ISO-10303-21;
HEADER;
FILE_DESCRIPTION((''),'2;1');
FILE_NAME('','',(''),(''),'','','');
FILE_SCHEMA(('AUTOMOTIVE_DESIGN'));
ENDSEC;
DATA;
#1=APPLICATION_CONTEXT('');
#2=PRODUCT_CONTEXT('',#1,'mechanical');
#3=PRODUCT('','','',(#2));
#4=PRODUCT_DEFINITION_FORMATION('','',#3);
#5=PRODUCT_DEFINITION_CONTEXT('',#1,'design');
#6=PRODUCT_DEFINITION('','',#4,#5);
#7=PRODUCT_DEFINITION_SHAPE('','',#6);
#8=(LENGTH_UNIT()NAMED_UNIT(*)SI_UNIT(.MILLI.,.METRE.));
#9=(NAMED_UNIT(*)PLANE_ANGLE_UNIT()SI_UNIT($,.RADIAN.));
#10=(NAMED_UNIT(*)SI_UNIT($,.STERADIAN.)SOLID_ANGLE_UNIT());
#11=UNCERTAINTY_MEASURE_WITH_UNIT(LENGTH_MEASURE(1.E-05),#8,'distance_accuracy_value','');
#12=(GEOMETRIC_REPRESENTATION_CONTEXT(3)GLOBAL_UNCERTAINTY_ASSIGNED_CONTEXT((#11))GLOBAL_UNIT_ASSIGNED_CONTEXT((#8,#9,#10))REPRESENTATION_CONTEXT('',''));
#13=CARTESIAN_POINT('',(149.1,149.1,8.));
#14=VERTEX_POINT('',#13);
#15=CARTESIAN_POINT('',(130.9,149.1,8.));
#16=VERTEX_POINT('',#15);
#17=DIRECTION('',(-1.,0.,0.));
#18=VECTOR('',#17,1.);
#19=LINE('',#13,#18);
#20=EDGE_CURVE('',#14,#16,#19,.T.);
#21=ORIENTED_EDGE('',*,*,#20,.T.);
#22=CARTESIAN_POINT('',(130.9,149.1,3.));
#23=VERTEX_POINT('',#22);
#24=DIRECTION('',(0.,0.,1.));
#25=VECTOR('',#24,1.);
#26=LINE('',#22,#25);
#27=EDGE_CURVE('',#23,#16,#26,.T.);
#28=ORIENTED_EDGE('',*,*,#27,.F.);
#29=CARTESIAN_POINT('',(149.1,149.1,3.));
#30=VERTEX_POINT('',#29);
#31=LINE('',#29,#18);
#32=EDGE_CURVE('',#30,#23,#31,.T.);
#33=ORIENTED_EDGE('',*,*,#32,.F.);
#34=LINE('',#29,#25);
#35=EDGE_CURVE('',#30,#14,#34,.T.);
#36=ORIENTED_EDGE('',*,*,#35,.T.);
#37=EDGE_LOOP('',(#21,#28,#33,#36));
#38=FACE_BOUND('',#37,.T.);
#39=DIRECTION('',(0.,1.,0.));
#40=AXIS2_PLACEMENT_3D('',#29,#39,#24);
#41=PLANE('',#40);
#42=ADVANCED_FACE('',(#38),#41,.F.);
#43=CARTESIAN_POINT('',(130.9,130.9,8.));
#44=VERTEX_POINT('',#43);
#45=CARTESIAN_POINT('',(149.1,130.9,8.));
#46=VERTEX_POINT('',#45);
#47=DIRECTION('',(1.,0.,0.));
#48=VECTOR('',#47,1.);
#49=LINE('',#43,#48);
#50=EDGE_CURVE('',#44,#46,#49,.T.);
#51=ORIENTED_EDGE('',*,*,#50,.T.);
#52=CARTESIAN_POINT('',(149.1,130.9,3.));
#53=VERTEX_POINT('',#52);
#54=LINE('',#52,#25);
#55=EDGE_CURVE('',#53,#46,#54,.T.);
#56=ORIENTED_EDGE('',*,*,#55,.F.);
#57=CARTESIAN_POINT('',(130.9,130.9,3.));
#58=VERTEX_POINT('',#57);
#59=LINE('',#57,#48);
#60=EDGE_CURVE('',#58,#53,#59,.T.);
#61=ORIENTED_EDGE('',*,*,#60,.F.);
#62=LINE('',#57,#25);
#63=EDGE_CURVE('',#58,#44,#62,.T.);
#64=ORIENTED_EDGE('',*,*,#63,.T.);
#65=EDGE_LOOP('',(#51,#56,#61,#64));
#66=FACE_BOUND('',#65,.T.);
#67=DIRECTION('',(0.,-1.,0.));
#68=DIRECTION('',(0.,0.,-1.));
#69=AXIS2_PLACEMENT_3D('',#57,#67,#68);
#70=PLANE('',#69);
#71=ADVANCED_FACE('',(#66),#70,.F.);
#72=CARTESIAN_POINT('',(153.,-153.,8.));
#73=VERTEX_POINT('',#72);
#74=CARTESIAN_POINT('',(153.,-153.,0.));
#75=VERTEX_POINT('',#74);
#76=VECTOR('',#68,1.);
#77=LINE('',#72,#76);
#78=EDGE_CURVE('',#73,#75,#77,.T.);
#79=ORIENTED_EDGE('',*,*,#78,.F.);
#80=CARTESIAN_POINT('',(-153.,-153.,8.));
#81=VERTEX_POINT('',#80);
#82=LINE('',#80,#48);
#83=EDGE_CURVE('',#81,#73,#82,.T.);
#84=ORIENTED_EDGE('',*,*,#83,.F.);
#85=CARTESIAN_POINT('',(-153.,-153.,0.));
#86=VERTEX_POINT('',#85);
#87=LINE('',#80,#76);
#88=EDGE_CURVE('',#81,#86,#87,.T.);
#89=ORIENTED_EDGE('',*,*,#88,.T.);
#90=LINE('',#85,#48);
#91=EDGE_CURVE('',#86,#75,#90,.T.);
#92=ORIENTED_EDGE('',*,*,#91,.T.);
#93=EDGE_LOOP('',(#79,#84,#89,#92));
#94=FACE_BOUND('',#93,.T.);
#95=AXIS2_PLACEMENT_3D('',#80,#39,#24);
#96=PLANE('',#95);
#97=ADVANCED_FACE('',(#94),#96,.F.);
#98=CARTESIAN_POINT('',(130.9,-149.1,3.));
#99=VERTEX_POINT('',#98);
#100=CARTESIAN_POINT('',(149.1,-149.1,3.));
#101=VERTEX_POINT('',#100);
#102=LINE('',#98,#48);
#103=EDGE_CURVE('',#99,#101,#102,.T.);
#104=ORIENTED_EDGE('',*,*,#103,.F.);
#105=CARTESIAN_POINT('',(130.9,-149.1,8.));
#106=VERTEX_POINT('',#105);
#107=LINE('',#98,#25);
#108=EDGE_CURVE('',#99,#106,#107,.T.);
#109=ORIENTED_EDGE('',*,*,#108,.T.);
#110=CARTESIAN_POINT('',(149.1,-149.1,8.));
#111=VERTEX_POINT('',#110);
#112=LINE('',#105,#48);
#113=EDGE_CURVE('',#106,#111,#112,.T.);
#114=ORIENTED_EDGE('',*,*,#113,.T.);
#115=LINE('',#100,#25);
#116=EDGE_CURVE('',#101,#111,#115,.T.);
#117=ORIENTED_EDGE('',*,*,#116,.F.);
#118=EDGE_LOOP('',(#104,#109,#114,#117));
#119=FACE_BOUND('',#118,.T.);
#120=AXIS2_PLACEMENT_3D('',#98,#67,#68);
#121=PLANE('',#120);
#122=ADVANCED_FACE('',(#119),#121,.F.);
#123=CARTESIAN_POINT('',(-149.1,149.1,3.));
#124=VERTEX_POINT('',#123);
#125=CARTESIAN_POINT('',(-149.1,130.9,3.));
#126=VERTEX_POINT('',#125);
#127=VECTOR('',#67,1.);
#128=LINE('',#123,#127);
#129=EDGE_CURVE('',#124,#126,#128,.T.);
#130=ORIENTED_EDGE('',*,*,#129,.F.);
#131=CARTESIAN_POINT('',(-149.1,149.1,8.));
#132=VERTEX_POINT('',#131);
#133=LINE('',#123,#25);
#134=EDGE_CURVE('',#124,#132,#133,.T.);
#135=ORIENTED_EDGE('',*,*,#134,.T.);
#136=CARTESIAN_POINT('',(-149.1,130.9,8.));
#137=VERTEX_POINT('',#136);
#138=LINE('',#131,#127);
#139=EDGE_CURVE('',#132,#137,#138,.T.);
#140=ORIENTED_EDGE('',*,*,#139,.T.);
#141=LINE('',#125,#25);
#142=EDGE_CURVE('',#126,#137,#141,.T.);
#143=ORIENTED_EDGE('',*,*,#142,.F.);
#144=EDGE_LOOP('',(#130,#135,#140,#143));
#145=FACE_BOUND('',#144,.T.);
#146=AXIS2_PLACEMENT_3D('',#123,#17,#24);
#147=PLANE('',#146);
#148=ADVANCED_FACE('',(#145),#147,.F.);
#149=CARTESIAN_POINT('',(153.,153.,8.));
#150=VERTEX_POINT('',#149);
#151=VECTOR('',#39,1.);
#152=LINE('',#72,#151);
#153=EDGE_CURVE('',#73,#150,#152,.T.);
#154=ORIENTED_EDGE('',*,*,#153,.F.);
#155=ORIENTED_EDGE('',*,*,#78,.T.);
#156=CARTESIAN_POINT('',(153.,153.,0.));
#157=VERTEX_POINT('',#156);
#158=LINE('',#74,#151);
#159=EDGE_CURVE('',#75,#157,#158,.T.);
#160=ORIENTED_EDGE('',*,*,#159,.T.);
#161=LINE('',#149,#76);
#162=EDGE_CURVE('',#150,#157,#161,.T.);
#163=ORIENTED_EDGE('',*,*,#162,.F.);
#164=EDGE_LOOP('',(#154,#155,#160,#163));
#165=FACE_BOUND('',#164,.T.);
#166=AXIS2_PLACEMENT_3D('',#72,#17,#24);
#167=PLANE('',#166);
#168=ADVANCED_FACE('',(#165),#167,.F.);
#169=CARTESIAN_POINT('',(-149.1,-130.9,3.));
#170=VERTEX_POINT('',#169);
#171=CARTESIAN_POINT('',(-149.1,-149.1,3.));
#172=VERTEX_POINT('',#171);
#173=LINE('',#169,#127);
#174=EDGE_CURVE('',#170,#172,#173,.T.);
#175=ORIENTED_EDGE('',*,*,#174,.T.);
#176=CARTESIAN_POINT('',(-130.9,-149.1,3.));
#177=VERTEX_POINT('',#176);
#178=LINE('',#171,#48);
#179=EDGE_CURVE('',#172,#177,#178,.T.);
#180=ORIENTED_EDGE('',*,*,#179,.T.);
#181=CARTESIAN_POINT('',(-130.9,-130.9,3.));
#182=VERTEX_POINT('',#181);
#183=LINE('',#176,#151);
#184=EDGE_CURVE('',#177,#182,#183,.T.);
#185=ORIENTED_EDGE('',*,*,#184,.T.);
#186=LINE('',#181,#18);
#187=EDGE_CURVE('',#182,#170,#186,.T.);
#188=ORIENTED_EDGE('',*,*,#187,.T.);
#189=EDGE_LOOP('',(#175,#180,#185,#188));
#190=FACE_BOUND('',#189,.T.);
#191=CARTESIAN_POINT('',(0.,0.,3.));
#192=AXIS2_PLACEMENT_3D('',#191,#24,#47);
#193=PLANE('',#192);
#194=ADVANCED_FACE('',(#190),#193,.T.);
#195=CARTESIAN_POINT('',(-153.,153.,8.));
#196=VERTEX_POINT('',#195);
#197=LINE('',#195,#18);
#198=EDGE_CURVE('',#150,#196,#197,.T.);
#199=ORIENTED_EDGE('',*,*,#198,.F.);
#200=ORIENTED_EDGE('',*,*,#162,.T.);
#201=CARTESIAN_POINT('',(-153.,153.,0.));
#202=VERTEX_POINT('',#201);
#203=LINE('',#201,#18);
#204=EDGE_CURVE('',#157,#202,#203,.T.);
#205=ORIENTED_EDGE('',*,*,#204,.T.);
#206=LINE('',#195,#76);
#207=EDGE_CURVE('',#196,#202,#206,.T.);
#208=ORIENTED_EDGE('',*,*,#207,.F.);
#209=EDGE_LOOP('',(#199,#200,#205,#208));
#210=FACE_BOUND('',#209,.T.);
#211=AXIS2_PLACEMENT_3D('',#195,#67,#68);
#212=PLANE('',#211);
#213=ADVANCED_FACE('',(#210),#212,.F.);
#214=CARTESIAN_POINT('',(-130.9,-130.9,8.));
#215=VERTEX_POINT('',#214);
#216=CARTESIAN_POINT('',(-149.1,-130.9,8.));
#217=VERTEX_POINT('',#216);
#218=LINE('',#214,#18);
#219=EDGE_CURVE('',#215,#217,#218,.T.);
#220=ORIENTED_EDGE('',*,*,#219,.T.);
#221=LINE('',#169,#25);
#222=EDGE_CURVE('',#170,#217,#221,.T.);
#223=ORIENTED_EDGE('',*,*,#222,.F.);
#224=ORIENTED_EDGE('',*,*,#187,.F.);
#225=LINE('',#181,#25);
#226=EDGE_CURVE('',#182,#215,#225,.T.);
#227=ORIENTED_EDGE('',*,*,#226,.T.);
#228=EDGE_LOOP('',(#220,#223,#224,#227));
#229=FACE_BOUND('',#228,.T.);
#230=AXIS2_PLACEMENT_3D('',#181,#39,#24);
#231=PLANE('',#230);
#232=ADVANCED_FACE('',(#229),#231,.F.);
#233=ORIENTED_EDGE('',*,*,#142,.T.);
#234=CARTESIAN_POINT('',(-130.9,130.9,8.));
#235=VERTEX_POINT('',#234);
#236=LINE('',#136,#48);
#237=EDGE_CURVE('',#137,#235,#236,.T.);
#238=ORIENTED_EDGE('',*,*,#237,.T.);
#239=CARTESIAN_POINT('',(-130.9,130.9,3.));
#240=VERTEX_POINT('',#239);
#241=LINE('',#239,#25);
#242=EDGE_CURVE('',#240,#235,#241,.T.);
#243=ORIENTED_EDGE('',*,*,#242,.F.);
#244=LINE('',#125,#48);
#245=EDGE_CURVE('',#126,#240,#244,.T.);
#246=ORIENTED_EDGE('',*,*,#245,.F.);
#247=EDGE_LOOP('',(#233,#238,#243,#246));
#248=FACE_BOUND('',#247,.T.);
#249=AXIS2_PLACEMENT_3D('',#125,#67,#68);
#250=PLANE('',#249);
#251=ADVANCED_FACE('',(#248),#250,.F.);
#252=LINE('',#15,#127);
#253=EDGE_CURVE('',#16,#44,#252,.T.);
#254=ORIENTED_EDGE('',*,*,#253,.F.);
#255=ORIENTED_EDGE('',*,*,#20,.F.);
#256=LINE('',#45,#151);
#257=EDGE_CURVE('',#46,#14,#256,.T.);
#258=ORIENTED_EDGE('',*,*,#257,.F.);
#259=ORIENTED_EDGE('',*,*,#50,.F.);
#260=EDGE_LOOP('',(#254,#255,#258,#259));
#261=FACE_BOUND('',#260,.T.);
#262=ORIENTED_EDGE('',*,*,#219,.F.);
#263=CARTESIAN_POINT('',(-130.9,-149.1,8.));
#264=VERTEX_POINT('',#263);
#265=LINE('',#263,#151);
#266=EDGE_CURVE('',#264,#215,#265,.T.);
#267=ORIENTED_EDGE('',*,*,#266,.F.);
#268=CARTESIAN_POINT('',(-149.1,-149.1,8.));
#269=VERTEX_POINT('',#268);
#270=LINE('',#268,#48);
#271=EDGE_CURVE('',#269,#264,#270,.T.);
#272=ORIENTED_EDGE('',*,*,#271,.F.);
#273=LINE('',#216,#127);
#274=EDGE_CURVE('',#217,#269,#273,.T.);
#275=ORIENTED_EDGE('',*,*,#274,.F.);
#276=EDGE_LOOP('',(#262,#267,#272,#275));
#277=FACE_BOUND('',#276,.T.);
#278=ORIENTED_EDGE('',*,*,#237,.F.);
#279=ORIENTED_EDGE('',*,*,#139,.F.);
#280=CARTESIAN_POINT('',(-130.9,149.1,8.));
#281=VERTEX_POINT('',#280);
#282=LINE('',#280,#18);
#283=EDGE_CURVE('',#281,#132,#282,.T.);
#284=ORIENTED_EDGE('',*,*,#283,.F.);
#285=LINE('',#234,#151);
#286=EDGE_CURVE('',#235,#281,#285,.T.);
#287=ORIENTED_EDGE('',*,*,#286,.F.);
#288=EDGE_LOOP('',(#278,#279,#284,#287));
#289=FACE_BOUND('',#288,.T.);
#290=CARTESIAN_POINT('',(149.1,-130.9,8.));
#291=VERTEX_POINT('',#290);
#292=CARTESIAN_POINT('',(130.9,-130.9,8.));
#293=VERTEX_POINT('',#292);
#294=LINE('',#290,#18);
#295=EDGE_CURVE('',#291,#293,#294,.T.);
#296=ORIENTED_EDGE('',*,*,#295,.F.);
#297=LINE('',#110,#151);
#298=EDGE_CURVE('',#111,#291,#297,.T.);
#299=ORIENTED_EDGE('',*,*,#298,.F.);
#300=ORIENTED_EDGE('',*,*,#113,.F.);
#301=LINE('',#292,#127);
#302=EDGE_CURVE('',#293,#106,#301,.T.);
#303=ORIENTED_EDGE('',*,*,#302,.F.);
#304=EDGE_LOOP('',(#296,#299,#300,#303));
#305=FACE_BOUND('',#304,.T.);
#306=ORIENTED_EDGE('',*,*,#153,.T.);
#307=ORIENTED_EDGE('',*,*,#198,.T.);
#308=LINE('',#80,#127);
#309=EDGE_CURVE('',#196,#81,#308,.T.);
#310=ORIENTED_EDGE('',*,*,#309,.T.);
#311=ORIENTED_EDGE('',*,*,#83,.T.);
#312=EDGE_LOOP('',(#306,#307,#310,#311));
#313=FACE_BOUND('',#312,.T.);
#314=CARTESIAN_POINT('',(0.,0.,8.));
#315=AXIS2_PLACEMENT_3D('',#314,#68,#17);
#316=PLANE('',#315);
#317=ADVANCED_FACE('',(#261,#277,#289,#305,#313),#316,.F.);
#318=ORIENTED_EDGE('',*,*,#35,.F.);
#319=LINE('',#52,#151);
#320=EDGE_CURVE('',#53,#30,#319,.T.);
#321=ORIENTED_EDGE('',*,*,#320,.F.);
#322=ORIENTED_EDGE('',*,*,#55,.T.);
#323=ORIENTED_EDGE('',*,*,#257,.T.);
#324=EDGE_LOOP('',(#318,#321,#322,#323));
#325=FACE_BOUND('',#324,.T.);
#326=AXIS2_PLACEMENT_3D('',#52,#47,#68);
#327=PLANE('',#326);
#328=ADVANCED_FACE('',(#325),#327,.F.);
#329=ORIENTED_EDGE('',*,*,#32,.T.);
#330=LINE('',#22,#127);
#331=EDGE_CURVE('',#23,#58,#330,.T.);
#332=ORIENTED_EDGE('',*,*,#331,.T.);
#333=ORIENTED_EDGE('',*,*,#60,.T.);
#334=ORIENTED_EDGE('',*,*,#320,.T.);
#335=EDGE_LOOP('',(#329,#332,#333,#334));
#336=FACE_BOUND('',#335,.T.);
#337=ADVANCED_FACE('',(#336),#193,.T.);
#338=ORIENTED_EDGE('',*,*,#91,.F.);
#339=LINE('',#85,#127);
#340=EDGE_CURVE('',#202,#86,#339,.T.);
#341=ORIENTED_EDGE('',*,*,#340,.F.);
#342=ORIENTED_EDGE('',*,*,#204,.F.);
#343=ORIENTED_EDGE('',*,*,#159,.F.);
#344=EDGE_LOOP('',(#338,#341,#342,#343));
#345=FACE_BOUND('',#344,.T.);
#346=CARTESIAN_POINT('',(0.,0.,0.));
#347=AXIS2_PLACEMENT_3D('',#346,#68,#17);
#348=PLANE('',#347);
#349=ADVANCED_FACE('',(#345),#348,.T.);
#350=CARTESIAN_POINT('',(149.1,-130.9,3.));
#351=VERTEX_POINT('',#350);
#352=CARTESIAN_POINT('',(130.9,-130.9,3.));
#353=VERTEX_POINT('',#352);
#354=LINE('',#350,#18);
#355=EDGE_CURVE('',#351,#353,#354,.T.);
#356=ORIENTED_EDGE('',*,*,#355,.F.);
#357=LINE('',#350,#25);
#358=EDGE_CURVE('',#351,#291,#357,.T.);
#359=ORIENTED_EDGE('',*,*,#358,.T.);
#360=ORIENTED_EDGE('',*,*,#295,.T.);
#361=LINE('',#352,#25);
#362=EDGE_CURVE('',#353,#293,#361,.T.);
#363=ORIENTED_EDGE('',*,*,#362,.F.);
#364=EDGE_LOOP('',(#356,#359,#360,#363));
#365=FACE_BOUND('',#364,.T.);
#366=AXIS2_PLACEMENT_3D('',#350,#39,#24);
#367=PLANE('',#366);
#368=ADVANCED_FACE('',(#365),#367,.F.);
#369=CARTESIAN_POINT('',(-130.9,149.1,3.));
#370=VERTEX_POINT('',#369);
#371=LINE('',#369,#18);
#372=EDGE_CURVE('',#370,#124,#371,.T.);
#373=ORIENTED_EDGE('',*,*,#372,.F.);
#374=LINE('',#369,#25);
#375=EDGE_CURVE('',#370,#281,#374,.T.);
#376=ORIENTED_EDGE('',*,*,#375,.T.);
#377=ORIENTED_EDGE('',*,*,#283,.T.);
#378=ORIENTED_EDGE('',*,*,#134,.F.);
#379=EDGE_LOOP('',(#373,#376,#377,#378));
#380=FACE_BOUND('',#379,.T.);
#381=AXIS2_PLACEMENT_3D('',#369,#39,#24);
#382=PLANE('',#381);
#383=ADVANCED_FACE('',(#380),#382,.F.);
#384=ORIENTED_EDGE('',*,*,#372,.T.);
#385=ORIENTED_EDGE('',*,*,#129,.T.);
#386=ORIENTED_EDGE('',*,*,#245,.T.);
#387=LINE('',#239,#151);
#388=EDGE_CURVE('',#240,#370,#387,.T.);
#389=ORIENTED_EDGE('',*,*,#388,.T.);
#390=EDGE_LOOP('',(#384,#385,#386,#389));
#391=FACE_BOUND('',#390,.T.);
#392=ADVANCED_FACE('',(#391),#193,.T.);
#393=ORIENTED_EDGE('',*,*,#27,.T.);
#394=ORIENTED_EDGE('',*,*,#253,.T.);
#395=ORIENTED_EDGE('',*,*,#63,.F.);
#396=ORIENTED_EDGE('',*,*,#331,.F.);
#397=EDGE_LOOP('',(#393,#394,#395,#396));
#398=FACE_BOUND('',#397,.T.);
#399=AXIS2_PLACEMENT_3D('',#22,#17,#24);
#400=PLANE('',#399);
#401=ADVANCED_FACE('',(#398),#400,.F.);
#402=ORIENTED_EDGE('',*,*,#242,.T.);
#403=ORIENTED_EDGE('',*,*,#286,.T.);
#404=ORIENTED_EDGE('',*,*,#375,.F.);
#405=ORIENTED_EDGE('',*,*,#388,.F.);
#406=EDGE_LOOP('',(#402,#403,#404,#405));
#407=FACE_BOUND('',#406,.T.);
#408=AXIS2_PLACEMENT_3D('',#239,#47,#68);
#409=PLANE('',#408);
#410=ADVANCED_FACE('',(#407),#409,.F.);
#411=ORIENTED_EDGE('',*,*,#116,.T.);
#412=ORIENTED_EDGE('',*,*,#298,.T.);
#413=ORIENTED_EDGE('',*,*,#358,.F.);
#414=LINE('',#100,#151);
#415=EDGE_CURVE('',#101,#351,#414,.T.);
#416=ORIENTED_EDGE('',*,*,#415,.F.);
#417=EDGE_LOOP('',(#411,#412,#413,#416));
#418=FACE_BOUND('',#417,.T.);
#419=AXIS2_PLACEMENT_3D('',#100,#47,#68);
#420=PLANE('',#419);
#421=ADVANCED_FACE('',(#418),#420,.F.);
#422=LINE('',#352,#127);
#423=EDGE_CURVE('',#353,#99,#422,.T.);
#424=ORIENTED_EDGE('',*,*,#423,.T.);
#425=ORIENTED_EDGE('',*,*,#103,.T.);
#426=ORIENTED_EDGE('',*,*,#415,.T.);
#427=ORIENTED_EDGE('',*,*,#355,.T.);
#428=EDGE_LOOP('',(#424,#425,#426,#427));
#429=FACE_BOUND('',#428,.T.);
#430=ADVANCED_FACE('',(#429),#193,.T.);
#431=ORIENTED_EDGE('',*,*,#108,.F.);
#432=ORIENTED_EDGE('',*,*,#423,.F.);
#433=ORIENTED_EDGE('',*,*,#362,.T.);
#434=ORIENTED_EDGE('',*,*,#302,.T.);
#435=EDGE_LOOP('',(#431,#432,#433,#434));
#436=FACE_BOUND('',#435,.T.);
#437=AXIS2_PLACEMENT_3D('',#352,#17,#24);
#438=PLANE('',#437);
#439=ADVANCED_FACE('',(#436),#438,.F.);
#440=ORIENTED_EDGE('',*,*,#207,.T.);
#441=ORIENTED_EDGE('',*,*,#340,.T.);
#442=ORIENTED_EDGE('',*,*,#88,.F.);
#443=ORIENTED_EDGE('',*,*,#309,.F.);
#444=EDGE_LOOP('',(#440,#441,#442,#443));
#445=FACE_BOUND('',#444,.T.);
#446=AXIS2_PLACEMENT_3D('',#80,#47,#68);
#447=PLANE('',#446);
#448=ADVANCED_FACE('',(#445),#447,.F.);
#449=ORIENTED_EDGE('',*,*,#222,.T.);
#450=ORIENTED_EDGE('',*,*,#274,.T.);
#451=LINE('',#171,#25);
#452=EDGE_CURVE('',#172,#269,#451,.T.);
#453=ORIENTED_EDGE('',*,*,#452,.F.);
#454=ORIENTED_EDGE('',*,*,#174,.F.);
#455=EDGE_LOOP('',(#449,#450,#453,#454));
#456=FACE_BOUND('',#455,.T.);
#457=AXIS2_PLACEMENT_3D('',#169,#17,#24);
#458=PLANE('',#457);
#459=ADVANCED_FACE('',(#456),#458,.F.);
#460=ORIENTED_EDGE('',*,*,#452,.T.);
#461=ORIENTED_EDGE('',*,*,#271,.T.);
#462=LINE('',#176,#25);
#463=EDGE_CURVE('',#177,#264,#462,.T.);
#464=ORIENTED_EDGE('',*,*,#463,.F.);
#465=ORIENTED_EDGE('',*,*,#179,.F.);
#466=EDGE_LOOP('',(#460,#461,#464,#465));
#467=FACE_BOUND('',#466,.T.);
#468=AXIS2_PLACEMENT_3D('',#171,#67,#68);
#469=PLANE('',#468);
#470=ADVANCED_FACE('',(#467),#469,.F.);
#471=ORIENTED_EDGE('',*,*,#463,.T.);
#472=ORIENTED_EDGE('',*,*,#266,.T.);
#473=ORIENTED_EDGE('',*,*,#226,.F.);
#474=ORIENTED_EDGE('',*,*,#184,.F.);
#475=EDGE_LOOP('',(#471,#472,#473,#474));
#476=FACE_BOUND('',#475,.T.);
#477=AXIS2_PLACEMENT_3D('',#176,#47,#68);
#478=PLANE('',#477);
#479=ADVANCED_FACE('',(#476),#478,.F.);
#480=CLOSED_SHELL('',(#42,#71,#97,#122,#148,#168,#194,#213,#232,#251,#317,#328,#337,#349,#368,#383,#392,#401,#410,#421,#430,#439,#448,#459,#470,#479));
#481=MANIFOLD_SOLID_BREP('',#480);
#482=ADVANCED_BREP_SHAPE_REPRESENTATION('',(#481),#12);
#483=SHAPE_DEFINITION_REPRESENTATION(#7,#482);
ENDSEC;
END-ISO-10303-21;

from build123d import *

# Parameters (mm, degrees)
SKETCH1_W           = 306
SKETCH1_H           = 306
BOSS_EXTRUDE1_DEPTH = 8
SKETCH2_W           = 18.2
SKETCH2_H           = 18.2
CUT_EXTRUDE1_DEPTH  = 5


with BuildPart() as part:
    # Sketch1 → Boss-Extrude1 (new body)
    with BuildSketch(Plane.XY):
        Rectangle(SKETCH1_W, SKETCH1_H)
    extrude(amount=BOSS_EXTRUDE1_DEPTH)

    # Sketch2 → Cut-Extrude1 (cut)
    with BuildSketch(Plane.XY.offset(8)):
        with Locations((140, 140)):
            Rectangle(SKETCH2_W, SKETCH2_H)
        with Locations((-140, 140)):
            Rectangle(SKETCH2_W, SKETCH2_H)
        with Locations((140, -140)):
            Rectangle(SKETCH2_W, SKETCH2_H)
        with Locations((-140, -140)):
            Rectangle(SKETCH2_W, SKETCH2_H)
    extrude(amount=-CUT_EXTRUDE1_DEPTH, mode=Mode.SUBTRACT)


solid = part.part
